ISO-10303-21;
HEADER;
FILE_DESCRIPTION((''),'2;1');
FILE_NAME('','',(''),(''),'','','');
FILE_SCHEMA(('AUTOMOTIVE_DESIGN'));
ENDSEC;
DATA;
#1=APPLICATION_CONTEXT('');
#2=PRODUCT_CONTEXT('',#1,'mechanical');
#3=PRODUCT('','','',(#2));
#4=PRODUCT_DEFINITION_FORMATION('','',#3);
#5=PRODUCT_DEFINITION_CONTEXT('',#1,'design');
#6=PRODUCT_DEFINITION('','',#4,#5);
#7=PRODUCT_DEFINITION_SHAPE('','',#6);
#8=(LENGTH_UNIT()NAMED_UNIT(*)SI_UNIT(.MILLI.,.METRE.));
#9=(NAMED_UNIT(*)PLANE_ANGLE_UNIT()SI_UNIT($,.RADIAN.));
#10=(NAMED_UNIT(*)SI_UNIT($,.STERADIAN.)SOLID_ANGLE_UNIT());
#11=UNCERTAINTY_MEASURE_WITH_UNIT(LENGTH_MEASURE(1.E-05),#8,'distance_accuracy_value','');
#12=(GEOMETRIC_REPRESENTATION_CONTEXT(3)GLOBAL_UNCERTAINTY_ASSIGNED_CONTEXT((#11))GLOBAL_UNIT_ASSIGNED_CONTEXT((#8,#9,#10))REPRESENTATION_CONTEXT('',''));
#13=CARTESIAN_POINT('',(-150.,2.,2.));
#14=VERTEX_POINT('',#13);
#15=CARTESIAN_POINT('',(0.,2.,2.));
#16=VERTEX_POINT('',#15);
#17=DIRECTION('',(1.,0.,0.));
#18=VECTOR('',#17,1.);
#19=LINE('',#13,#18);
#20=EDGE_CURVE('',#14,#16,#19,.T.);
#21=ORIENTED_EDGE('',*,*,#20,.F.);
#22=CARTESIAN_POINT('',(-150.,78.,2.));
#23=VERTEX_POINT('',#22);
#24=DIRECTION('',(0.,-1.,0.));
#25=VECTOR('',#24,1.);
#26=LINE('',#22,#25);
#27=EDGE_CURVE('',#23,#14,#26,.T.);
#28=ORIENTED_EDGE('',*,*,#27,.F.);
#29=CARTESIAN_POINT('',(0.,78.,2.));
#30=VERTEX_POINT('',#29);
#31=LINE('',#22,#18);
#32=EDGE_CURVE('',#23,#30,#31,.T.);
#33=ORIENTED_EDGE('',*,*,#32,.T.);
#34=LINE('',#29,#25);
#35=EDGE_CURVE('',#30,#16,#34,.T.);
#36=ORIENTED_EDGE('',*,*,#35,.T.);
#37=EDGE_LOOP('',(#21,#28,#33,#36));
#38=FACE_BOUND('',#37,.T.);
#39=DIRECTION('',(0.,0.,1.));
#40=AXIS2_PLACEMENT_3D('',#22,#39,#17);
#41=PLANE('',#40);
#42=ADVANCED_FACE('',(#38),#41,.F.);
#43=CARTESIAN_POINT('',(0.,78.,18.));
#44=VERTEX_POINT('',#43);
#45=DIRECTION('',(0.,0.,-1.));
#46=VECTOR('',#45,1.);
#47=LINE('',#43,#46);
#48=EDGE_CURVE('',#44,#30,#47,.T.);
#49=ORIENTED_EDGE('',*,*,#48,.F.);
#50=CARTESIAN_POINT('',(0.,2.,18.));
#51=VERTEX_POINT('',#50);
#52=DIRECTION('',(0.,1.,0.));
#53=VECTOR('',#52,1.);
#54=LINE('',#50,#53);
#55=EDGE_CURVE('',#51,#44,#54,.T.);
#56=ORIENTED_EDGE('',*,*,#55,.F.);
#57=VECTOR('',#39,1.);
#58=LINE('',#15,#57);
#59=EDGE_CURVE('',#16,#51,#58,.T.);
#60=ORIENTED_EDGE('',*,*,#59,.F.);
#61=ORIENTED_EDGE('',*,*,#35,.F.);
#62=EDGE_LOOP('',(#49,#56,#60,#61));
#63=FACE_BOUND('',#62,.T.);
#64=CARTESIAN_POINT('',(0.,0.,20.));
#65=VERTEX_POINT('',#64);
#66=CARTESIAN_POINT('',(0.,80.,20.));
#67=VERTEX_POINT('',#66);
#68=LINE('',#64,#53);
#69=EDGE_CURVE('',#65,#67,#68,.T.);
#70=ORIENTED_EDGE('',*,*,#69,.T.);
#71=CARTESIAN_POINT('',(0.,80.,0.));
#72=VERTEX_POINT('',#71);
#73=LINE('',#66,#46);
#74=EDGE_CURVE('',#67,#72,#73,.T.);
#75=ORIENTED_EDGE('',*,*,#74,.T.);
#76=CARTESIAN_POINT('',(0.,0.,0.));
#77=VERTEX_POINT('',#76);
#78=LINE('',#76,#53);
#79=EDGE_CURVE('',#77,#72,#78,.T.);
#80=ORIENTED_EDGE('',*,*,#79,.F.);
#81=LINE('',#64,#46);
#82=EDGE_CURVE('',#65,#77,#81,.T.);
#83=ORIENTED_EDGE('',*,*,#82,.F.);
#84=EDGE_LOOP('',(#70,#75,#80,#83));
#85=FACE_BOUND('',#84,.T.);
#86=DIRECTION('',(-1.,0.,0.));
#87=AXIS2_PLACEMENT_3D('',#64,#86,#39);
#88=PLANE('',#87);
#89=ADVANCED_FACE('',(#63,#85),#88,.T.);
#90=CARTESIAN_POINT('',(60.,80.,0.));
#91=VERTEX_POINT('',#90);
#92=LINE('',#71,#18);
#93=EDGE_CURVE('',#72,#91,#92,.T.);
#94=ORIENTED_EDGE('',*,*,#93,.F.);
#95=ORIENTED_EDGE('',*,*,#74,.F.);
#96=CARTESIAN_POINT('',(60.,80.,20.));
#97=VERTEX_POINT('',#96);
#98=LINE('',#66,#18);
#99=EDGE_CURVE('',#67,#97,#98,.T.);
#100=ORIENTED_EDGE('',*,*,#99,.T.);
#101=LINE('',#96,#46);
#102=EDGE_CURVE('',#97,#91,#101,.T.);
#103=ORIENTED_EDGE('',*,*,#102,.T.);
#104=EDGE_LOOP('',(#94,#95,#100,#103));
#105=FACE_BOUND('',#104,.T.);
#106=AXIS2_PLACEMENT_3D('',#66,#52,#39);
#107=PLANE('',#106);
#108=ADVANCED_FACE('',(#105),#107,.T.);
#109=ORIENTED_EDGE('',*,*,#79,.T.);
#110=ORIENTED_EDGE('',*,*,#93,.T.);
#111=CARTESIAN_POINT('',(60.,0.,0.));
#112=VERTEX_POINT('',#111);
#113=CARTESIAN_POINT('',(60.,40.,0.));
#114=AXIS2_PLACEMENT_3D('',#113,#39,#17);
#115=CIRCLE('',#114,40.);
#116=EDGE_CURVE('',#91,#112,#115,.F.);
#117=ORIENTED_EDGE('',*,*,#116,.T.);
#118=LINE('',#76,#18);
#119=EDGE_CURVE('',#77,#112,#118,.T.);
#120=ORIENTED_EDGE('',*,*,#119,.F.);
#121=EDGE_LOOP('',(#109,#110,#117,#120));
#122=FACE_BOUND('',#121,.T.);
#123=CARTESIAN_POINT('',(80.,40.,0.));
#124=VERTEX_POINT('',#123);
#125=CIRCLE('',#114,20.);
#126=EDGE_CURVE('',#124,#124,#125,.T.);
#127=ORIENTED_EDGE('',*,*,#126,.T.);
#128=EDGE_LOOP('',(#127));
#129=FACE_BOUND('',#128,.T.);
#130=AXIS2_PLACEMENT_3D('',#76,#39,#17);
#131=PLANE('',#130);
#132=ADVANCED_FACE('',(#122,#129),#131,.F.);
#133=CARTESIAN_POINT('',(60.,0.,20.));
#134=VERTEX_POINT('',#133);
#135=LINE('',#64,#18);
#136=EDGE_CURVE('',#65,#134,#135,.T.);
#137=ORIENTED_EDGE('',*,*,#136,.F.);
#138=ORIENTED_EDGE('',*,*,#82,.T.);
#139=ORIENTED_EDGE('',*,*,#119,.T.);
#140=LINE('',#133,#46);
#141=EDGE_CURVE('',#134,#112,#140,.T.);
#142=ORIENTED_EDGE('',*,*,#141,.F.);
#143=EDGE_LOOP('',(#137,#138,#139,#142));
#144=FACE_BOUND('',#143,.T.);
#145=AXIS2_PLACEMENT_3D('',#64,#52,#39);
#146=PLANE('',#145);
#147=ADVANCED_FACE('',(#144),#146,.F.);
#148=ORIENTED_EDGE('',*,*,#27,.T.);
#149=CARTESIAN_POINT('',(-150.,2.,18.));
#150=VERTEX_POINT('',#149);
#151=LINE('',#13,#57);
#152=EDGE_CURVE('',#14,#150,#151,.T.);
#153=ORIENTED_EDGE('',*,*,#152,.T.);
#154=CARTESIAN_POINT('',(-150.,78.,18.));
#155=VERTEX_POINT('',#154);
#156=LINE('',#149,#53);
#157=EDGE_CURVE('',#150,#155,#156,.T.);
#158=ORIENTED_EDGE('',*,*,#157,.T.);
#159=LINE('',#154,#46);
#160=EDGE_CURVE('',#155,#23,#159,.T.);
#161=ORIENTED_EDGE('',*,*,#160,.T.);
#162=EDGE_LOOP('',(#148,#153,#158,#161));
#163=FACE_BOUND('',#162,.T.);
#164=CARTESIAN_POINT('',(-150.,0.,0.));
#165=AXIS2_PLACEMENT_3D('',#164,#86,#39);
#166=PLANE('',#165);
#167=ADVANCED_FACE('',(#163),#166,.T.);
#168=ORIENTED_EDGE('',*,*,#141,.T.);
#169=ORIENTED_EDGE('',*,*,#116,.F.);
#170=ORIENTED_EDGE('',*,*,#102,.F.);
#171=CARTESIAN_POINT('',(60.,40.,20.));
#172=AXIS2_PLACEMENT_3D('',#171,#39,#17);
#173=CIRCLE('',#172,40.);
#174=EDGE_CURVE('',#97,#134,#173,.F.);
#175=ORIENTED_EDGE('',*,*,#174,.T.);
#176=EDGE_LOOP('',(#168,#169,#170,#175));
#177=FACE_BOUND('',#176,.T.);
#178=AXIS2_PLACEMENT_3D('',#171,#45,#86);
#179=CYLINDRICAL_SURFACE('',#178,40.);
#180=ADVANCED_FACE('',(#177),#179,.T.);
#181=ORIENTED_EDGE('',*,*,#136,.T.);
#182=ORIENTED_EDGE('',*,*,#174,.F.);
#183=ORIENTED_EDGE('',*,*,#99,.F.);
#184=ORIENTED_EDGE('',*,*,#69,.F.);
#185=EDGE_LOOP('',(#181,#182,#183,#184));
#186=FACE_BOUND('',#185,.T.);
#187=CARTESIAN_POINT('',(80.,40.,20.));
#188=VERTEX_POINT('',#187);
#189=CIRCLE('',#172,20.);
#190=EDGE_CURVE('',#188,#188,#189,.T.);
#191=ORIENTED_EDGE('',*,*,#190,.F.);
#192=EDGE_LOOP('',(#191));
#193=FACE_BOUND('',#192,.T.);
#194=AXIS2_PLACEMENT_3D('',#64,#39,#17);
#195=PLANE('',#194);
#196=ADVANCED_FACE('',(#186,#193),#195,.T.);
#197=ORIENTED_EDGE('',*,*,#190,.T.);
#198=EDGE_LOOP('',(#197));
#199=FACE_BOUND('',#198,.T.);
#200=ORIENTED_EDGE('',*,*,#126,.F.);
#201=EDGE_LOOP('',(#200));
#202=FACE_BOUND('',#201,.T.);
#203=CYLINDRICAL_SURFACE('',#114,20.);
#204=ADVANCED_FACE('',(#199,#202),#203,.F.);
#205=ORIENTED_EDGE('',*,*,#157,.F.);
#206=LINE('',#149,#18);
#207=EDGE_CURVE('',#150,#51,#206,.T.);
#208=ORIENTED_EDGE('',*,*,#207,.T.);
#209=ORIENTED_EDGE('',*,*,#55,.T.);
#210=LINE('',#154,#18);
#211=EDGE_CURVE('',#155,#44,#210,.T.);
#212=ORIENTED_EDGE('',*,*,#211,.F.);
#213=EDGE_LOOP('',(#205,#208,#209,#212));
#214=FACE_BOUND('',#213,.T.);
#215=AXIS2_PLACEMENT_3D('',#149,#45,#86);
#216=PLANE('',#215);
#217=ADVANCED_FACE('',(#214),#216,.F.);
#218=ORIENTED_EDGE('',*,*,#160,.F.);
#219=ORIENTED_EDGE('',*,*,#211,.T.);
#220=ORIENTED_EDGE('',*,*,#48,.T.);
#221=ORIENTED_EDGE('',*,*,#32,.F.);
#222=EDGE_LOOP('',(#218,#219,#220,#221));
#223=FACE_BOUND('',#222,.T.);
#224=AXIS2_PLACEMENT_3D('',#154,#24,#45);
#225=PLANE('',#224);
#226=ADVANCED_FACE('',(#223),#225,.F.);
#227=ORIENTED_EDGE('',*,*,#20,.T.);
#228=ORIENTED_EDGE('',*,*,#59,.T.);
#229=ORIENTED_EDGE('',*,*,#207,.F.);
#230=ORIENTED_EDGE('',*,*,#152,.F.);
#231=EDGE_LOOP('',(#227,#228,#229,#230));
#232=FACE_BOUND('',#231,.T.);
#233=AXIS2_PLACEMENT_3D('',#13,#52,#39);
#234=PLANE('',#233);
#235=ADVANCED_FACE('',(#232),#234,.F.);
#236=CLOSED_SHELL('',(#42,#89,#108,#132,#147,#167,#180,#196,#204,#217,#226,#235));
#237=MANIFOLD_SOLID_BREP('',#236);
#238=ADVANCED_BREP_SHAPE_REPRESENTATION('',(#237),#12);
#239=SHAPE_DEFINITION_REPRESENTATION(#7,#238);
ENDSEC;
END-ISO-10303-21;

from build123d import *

# Parameters (mm, degrees)
BOSS_EXTRUDE1_DEPTH = 20
SKETCH2_R           = 20
CUT_EXTRUDE1_DEPTH  = 21
SKETCH3_W           = 16
SKETCH3_H           = 76
BOSS_EXTRUDE2_DEPTH = 150


with BuildPart() as part:
    # Sketch1 → Boss-Extrude1 (new body)
    with BuildSketch(Plane.XY):
        with BuildLine():
            Line((0, 80), (0, 0))
            Line((0, 0), (60, 0))
            ThreePointArc((60, 0), (88.284271247, 11.715728753), (100, 40))
            ThreePointArc((100, 40), (88.284271247, 68.284271247), (60, 80))
            Line((60, 80), (0, 80))
        make_face()
    extrude(amount=BOSS_EXTRUDE1_DEPTH)

    # Sketch2 → Cut-Extrude1 (cut, through all)
    with BuildSketch(Plane.XY.offset(20)):
        with Locations((60, 40)):
            Circle(SKETCH2_R)
    extrude(amount=-CUT_EXTRUDE1_DEPTH, mode=Mode.SUBTRACT)

    # Sketch3 → Boss-Extrude2 (add)
    with BuildSketch(Plane.ZY):
        with Locations((10, 40)):
            Rectangle(SKETCH3_W, SKETCH3_H)
    extrude(amount=BOSS_EXTRUDE2_DEPTH)


solid = part.part
